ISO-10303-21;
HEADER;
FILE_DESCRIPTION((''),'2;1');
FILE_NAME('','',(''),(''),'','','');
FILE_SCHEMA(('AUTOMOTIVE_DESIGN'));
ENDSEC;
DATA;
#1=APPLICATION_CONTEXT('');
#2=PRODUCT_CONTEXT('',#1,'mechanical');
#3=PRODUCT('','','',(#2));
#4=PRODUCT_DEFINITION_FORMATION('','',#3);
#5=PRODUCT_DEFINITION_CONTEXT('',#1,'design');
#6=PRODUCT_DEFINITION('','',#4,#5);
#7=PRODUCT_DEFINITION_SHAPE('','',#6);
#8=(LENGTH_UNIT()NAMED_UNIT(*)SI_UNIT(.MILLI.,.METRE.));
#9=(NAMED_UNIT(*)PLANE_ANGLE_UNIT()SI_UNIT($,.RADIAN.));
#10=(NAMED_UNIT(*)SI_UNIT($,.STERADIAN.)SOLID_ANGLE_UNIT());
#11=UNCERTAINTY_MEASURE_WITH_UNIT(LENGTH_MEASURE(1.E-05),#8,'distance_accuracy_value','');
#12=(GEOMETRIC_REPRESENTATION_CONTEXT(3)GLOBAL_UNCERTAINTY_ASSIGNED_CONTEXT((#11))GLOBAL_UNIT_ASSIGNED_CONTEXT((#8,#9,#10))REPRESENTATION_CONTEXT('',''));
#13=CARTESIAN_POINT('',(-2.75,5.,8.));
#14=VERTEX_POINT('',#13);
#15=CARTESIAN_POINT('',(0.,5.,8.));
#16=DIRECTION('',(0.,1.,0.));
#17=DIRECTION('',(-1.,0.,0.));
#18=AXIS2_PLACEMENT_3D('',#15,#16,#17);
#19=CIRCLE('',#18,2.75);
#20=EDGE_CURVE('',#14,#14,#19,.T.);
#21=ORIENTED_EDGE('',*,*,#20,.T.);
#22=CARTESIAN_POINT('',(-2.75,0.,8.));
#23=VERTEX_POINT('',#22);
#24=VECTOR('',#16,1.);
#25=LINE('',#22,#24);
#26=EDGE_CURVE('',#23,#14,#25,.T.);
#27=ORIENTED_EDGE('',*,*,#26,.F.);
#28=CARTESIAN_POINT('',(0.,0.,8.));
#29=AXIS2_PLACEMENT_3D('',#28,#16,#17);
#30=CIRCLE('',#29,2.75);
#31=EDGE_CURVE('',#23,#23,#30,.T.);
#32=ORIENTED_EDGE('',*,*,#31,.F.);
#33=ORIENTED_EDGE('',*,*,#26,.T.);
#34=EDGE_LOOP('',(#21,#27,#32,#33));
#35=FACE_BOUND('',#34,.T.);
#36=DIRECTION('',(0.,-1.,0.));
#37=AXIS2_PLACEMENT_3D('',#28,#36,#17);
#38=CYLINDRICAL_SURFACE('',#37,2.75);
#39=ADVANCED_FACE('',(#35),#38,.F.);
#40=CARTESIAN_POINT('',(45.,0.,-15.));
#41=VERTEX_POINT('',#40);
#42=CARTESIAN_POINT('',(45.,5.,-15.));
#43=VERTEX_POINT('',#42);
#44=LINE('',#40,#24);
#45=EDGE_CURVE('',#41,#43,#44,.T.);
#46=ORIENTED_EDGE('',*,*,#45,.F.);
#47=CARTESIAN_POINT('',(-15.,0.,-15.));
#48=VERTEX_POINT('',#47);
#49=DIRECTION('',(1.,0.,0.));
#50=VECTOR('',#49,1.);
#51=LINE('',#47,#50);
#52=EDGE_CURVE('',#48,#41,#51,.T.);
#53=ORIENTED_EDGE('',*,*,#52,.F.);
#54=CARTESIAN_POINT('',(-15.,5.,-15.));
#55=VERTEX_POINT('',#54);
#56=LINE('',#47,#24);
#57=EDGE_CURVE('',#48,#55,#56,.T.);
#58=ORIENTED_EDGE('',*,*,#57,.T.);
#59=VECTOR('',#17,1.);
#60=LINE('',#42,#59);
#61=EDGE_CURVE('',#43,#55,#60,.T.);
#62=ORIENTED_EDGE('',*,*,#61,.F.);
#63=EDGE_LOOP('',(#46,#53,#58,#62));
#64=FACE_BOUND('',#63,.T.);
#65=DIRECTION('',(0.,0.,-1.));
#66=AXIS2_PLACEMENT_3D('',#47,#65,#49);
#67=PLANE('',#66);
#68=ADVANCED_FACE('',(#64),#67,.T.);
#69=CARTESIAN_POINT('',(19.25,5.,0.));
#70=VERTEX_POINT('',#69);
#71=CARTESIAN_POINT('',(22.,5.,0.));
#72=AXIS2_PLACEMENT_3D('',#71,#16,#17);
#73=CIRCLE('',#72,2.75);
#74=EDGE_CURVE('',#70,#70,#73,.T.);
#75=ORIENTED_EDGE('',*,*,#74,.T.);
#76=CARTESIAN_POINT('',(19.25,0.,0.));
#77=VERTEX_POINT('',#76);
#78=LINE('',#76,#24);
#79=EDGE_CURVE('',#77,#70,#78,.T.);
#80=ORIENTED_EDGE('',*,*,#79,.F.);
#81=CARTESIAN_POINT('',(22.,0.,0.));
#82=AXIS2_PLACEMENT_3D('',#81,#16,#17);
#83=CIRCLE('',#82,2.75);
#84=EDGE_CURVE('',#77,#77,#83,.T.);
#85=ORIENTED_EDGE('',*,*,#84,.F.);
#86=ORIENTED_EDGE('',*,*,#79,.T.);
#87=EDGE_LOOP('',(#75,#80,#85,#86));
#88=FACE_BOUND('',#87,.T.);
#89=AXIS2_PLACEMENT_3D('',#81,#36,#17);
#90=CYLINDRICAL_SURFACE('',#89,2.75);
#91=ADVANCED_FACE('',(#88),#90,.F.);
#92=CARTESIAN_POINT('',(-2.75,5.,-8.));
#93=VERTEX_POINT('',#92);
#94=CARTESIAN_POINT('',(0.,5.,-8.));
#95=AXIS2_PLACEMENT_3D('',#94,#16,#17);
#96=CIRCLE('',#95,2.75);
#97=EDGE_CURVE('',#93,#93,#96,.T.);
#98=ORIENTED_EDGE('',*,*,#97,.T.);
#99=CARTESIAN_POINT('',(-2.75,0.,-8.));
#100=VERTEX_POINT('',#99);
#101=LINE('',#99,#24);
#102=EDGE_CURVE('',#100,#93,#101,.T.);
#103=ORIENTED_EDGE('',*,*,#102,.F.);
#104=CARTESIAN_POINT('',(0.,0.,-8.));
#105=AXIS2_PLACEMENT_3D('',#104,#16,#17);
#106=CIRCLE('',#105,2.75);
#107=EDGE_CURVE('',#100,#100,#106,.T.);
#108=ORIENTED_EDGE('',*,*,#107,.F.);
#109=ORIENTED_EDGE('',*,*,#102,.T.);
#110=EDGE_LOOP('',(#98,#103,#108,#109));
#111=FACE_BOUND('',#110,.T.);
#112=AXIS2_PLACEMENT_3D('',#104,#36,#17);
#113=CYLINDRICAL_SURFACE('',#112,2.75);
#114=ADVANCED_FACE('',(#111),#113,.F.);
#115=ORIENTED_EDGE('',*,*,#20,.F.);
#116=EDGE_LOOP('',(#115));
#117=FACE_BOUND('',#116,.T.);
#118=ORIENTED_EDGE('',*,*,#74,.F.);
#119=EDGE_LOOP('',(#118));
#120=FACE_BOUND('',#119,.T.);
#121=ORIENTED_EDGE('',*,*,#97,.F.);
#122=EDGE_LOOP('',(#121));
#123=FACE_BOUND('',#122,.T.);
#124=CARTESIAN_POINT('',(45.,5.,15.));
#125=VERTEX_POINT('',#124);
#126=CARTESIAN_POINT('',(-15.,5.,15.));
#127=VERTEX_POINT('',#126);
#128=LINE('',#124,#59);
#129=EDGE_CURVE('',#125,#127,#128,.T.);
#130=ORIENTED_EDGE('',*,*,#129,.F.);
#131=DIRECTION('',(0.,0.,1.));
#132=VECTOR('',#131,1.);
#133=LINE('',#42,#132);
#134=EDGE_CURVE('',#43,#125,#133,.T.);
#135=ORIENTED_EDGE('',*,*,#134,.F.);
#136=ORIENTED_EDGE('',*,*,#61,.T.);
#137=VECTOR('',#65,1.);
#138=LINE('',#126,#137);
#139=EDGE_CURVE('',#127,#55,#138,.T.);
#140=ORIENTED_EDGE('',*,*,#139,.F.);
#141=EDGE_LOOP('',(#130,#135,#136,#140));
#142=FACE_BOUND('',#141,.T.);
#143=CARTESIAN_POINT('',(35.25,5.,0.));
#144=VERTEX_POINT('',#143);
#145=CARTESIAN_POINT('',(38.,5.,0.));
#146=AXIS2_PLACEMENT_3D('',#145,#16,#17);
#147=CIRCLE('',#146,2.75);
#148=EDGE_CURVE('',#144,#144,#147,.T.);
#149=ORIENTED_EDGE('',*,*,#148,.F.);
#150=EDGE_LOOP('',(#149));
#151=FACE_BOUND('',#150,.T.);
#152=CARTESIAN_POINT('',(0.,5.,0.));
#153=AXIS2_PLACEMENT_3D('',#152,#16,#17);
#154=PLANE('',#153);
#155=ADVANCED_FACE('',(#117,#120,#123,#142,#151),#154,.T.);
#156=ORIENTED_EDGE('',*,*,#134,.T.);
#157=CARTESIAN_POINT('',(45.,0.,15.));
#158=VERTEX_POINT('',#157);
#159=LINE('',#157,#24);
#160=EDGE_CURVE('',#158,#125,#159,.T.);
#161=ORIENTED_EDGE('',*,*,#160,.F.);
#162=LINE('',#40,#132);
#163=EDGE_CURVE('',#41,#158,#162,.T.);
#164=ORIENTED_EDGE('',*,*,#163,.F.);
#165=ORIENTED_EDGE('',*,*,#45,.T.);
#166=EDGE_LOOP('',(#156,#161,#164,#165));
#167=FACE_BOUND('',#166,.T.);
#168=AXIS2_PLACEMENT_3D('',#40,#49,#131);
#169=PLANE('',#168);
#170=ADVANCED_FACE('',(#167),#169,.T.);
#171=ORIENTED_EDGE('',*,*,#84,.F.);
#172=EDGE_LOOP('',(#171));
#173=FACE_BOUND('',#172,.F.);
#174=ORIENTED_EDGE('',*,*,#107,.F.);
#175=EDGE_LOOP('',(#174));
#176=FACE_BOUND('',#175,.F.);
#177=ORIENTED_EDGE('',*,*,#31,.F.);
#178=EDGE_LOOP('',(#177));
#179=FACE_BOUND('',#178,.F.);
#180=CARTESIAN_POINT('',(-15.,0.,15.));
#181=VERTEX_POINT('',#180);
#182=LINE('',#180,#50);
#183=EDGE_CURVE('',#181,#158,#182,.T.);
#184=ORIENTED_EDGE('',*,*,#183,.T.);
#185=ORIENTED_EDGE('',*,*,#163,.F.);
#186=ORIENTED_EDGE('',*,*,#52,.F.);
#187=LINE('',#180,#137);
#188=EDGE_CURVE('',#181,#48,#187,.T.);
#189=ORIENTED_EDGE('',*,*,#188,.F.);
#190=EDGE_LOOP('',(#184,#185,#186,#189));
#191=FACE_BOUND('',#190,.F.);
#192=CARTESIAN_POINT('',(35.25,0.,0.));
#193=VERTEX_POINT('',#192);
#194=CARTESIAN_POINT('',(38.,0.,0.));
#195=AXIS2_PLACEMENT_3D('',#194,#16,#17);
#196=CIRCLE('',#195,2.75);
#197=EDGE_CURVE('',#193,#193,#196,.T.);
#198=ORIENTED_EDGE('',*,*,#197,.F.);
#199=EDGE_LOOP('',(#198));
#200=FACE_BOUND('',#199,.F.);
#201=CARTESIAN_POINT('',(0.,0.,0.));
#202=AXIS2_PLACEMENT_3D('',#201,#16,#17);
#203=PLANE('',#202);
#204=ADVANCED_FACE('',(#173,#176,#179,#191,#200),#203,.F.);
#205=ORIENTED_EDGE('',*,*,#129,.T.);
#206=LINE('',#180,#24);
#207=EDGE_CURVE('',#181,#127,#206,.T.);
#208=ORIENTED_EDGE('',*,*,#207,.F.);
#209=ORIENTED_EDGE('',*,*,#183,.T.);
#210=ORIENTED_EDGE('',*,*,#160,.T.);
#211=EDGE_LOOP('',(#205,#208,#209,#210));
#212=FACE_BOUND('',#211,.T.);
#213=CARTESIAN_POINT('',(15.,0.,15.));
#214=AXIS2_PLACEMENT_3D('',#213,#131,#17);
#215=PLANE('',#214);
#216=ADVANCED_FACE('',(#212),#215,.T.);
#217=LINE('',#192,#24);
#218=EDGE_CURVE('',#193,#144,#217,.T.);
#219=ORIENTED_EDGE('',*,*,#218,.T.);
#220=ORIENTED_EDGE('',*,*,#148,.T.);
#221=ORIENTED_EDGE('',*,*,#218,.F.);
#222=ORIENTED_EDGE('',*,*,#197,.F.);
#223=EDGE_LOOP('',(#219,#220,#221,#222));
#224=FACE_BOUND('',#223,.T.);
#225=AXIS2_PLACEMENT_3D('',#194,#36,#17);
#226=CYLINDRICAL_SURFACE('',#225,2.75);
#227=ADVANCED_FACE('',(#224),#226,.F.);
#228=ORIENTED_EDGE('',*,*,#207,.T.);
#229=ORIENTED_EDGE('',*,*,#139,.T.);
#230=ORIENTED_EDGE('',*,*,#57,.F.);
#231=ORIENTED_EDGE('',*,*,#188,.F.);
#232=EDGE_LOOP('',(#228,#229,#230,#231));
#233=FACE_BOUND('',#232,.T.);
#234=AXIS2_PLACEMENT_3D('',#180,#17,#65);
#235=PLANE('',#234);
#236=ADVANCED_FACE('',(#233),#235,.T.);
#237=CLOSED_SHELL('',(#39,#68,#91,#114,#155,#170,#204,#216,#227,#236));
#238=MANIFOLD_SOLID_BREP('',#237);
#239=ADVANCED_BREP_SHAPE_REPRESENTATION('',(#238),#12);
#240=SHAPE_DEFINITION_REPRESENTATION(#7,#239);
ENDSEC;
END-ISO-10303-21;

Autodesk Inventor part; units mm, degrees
ref_plane "YZ Plane" through (0, 0, 0) normal (1, 0, 0) x (0, 1, 0)
ref_plane "XZ Plane" through (0, 0, 0) normal (0, 1, 0) x (-1, 0, 0)
ref_plane "XY Plane" through (0, 0, 0) normal (0, 0, 1) x (1, 0, 0)
sketch "Sketch1" plane through (0, 0, 0) normal (0, 1, 0) x (-1, 0, 0)
  line L0 (-15, 15) -> (15, 15)
  line L1 (15, 15) -> (15, -15)
  line L2 (15, -15) -> (-15, -15)
  line L3 (-15, -15) -> (-15, 15)
  line L4 (-15, 15) -> (15, -15) construction
  line L5 (15, 15) -> (-15, -15) construction
  circle A0 centre (0, 8) radius 2.75
  circle A1 centre (0, -8) radius 2.75
  line L6 (-45, 15) -> (-15, 15)
  line L7 (-15, 15) -> (-15, -15)
  line L8 (-15, -15) -> (-45, -15)
  line L9 (-45, -15) -> (-45, 15)
  line L10 (-45, 15) -> (-15, -15) construction
  line L11 (-15, 15) -> (-45, -15) construction
  circle A2 centre (-22, 0) radius 2.75
  circle A3 centre (-38, 0) radius 2.75
  point P0 (0, 0)
  point P1 (-30, 0)
  dimension "d0" = 30
  dimension "d1" = 30
  dimension "d2" = 5.5
  dimension "d3" = 5.5
  dimension "d4" = 15
  dimension "d5" = 15
  dimension "d6" = 7
  dimension "d7" = 7
  dimension "d8" = 30
  dimension "d9" = 30
  dimension "d10" = 5.5
  dimension "d11" = 5.5
  dimension "d12" = 15
  dimension "d13" = 15
  dimension "d14" = 7
  dimension "d15" = 7
extrude "Extrusion1" add sketch "Sketch1" along normal blind 5
properties part number "T-Bracing" material "Aluminum 6061"
